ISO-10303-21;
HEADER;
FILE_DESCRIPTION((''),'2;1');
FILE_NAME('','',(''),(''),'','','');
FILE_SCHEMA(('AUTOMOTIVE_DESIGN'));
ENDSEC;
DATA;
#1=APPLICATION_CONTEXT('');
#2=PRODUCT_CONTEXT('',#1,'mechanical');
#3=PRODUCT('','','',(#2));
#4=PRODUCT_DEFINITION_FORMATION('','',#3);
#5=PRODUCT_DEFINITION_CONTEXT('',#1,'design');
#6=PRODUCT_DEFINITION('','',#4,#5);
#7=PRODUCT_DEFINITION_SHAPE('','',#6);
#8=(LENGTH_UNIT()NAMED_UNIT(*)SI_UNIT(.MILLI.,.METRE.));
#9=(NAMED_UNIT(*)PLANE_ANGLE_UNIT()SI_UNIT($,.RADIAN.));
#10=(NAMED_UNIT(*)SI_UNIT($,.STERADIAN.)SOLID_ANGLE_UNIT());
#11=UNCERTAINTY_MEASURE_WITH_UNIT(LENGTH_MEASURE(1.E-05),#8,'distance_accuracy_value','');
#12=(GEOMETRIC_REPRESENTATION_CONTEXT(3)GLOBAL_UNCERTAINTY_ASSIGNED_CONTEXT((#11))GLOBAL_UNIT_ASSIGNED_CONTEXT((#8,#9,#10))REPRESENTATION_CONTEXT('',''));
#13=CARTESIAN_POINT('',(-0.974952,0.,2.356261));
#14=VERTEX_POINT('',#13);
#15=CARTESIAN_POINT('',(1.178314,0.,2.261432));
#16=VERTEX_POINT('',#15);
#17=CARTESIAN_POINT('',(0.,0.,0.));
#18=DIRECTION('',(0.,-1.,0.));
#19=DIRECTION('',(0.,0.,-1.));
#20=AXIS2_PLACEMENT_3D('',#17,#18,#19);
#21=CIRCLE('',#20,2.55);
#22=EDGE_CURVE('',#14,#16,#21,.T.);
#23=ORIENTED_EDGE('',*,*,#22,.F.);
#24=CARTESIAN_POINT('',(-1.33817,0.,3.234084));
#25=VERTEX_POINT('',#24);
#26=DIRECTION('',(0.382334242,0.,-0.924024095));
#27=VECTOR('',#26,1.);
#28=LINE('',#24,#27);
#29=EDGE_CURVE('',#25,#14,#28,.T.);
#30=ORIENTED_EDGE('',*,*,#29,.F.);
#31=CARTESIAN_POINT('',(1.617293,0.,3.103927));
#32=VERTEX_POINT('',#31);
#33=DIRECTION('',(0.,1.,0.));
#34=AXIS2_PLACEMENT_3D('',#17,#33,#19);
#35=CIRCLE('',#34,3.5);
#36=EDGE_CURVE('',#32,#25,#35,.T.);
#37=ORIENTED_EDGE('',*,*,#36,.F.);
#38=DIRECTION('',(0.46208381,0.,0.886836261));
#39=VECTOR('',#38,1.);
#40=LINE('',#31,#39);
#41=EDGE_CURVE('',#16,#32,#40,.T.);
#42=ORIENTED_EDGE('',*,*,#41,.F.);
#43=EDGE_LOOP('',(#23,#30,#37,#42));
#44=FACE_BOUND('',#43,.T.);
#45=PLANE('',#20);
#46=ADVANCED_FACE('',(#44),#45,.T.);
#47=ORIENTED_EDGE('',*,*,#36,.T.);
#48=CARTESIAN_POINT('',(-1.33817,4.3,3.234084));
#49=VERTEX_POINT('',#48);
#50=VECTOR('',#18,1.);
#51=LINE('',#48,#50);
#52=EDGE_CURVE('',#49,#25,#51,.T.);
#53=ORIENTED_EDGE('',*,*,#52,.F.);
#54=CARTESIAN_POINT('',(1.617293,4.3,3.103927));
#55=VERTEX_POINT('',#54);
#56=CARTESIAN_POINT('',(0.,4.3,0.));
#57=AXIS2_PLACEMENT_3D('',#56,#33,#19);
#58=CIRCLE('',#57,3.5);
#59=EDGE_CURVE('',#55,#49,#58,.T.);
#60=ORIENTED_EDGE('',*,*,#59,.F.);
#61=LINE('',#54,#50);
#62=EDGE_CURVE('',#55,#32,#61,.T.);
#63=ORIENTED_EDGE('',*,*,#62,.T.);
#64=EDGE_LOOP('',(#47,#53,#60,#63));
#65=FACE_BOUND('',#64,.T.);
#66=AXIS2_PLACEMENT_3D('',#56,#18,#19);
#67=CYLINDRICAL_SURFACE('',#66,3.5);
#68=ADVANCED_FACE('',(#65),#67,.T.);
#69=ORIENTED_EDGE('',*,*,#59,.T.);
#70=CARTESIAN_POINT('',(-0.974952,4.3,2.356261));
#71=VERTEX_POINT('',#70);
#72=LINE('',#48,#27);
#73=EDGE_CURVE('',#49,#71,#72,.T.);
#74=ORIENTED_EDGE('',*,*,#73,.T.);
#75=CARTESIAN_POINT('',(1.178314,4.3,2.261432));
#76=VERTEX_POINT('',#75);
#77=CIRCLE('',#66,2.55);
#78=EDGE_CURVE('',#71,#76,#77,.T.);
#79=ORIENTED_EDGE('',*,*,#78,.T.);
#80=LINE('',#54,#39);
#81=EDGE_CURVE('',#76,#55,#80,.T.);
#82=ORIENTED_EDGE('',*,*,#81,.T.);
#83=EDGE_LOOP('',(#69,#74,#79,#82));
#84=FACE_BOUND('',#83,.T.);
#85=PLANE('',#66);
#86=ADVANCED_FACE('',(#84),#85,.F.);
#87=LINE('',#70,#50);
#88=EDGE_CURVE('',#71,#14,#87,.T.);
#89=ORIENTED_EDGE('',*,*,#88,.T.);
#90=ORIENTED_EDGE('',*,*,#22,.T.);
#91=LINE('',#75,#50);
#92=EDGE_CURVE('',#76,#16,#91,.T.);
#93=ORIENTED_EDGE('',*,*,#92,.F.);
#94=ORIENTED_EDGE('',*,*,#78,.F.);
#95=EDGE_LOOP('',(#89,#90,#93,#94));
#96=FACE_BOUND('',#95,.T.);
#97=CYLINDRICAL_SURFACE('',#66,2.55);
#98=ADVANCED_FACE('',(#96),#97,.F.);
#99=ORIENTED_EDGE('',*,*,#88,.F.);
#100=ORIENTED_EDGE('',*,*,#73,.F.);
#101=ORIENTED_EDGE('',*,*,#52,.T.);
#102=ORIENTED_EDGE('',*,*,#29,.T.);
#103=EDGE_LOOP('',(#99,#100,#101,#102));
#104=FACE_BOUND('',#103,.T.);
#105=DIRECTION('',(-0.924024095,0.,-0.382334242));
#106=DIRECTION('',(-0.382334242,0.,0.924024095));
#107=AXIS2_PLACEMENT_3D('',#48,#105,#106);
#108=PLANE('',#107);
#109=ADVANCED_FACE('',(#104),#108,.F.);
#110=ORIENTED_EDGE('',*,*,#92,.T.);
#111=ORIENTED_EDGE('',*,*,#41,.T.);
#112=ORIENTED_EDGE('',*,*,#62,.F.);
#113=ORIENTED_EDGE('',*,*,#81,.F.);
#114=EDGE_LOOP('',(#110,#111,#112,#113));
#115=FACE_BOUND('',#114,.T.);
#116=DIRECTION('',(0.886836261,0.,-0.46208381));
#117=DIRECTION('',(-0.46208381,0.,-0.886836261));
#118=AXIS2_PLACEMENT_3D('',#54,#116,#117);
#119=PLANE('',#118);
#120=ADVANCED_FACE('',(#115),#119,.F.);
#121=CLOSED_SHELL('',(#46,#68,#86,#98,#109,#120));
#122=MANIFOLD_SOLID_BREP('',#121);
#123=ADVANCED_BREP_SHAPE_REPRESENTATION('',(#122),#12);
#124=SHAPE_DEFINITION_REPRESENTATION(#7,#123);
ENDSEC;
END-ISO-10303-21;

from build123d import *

# Parameters (mm, degrees)
BOSS_EXTRUDE1_DEPTH = 4.3


with BuildPart() as part:
    # Sketch1 → Boss-Extrude1 (new body)
    with BuildSketch(Plane(origin=(0, 0, 0), x_dir=(1, 0, 0), z_dir=(0, 1, 0))):
        with BuildLine():
            Line((-1.338169847, -3.234084331), (-0.974952317, -2.356261441))
            ThreePointArc((-0.974952317, -2.356261441), (-0.112192238, 2.547530746), (1.178313714, -2.261432464))
            Line((1.178313714, -2.261432464), (1.617293333, -3.103926912))
            ThreePointArc((1.617293333, -3.103926912), (-0.153989346, 3.496610828), (-1.338169847, -3.234084331))
        make_face()
    extrude(amount=BOSS_EXTRUDE1_DEPTH)


solid = part.part
